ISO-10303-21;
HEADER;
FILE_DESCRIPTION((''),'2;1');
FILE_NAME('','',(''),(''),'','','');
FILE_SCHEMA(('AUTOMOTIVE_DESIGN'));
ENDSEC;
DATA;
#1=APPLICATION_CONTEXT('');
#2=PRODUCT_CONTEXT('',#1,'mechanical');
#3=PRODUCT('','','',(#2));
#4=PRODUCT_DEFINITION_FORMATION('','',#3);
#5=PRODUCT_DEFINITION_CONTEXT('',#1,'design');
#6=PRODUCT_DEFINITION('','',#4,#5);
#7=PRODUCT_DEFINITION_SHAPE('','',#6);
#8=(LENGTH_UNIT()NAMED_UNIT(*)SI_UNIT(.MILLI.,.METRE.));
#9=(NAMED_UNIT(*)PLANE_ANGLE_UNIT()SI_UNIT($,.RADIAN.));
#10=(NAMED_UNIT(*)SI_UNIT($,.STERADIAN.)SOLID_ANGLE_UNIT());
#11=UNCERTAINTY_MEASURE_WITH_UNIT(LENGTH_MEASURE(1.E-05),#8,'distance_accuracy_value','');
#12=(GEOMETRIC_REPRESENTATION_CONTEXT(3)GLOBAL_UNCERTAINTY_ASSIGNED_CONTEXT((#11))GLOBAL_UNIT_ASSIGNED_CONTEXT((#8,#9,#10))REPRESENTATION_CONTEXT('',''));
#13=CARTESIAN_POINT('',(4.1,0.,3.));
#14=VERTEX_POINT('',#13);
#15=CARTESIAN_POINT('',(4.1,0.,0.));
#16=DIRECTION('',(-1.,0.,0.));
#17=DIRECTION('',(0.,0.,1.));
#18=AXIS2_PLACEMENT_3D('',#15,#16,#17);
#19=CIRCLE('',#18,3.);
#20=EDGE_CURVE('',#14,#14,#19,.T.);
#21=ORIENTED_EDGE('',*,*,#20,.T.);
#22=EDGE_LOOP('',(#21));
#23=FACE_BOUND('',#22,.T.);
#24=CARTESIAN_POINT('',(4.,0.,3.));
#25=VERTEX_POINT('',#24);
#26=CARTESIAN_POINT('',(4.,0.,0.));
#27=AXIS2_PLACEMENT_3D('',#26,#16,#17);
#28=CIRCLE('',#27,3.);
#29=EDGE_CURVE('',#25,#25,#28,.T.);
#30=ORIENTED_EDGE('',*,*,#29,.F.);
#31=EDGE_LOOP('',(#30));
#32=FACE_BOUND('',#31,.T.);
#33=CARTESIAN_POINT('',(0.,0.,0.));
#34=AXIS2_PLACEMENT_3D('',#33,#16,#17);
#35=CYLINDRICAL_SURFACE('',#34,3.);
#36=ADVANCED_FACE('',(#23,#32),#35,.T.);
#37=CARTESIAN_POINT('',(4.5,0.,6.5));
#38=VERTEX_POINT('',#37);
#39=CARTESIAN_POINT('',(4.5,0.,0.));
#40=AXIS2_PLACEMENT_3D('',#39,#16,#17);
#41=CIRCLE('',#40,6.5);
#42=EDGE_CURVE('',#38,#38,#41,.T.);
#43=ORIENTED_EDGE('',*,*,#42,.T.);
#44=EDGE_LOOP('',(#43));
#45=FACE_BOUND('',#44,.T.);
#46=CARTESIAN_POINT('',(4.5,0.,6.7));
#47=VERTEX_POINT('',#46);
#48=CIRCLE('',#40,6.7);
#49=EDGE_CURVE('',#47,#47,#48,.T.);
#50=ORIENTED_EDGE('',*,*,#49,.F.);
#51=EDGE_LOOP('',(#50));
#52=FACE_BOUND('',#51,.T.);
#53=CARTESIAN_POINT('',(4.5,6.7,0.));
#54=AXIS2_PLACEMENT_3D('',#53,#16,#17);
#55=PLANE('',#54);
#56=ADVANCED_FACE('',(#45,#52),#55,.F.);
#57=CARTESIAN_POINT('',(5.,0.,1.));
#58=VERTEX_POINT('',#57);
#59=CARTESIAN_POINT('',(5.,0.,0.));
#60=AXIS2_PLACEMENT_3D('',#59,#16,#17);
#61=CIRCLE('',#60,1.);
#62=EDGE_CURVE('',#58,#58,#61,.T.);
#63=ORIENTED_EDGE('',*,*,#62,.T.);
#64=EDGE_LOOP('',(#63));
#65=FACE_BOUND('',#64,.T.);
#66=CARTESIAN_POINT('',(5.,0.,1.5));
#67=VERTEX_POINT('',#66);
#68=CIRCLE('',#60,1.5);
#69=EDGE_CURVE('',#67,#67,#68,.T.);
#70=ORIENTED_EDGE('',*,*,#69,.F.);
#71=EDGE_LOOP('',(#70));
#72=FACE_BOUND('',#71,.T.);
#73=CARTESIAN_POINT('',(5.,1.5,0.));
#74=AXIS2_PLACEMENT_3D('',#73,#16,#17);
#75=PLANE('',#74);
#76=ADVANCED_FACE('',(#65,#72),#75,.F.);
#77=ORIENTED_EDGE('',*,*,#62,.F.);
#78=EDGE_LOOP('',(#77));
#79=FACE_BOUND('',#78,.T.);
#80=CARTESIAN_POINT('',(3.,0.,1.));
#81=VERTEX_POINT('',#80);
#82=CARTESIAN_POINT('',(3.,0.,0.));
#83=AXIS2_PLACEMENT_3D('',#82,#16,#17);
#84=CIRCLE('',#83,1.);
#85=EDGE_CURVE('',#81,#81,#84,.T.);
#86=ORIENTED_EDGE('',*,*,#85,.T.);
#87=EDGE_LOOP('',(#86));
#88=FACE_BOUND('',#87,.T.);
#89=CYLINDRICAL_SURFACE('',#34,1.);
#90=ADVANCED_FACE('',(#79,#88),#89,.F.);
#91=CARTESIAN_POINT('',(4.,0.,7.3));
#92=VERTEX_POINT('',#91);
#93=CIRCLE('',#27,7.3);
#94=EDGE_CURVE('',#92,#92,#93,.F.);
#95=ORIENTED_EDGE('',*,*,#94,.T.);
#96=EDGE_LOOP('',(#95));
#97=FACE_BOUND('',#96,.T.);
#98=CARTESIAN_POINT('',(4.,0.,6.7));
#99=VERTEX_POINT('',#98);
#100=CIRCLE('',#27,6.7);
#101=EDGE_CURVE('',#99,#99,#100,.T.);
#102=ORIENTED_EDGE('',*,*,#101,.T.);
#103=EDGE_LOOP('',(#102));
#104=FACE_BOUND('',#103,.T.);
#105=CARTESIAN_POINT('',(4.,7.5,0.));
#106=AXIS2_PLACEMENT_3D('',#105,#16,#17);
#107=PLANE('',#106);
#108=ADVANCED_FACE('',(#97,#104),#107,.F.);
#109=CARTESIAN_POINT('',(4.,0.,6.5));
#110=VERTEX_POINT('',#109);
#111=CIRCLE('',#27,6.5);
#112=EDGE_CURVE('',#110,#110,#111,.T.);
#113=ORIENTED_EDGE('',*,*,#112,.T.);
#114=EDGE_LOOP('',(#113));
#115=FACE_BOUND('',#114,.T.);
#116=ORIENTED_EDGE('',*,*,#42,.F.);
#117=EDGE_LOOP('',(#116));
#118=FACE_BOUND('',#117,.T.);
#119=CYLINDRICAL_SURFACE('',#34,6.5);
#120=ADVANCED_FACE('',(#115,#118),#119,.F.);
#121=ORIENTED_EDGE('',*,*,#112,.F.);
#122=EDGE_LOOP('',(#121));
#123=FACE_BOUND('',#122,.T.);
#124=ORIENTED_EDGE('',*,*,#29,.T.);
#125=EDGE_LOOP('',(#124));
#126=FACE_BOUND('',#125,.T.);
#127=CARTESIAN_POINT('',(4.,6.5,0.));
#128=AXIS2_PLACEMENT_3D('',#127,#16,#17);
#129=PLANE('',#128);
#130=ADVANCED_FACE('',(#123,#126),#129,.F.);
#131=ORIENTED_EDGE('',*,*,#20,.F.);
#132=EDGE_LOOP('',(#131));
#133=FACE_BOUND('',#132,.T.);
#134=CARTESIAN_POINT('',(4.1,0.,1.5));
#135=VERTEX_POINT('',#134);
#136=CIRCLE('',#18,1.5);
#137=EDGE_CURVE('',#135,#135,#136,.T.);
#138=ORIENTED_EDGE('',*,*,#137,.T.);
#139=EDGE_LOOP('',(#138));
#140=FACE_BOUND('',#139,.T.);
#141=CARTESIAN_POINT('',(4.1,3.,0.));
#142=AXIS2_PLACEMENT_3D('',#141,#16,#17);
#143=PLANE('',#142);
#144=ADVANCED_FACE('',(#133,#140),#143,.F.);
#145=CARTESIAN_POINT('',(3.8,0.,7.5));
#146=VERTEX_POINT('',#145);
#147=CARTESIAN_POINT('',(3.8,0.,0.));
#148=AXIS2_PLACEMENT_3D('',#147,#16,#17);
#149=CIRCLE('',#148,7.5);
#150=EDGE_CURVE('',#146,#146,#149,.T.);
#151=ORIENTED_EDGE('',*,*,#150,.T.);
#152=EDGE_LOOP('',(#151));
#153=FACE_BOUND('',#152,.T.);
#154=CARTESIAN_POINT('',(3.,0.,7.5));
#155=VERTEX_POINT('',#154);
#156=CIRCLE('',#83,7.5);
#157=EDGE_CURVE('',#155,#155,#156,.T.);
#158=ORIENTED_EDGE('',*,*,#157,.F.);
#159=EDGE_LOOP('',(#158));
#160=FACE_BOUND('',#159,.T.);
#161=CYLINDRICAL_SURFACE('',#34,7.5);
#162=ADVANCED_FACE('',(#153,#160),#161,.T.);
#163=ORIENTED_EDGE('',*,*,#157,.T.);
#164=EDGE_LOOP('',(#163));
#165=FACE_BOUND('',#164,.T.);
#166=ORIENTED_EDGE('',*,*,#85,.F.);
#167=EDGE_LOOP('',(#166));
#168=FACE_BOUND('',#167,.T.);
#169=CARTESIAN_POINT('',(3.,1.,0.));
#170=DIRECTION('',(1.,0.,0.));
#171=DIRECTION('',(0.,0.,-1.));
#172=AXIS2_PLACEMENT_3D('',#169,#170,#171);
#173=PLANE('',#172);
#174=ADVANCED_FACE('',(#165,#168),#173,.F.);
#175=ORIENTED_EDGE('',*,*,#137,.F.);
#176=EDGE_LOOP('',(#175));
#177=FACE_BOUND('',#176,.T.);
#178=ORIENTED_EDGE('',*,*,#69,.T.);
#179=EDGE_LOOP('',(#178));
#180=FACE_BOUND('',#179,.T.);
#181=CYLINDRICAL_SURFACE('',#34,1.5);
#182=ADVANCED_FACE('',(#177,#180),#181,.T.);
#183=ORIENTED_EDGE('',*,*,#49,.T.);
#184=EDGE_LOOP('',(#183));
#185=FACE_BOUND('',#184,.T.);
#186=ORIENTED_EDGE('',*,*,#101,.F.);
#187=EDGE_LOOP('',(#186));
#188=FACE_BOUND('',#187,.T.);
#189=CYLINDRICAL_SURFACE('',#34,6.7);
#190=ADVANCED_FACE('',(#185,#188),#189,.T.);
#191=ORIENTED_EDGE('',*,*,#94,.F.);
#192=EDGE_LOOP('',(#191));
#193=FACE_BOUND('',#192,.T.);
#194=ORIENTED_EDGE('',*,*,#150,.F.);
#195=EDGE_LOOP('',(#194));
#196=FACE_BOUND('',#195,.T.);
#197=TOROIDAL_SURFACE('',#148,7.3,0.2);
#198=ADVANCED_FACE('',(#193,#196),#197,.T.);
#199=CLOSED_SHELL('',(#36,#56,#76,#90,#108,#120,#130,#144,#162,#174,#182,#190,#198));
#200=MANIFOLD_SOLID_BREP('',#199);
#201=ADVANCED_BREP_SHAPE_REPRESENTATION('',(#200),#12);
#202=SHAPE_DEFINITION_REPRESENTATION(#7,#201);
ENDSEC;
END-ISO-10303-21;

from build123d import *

# Parameters (mm, degrees)
FILLET1_R = 0.2


with BuildPart() as part:
    # Sketch1 → Revolve1 (revolve)
    with BuildSketch(Plane.XY):
        Polygon((3, 1), (3, 7.5), (4, 7.5), (4, 6.7), (4.5, 6.7), (4.5, 6.5), (4, 6.5), (4, 3), (4.1, 3), (4.1, 1.5), (5, 1.5), (5, 1), align=None)
    revolve(axis=Axis((0, 0, 0), (1, 0, 0)))

    # Fillet1
    fillet1_edges = [part.edges().sort_by_distance(p)[0] for p in [
        (4, -7.5, 0),
    ]]
    fillet(fillet1_edges, radius=FILLET1_R)


solid = part.part
